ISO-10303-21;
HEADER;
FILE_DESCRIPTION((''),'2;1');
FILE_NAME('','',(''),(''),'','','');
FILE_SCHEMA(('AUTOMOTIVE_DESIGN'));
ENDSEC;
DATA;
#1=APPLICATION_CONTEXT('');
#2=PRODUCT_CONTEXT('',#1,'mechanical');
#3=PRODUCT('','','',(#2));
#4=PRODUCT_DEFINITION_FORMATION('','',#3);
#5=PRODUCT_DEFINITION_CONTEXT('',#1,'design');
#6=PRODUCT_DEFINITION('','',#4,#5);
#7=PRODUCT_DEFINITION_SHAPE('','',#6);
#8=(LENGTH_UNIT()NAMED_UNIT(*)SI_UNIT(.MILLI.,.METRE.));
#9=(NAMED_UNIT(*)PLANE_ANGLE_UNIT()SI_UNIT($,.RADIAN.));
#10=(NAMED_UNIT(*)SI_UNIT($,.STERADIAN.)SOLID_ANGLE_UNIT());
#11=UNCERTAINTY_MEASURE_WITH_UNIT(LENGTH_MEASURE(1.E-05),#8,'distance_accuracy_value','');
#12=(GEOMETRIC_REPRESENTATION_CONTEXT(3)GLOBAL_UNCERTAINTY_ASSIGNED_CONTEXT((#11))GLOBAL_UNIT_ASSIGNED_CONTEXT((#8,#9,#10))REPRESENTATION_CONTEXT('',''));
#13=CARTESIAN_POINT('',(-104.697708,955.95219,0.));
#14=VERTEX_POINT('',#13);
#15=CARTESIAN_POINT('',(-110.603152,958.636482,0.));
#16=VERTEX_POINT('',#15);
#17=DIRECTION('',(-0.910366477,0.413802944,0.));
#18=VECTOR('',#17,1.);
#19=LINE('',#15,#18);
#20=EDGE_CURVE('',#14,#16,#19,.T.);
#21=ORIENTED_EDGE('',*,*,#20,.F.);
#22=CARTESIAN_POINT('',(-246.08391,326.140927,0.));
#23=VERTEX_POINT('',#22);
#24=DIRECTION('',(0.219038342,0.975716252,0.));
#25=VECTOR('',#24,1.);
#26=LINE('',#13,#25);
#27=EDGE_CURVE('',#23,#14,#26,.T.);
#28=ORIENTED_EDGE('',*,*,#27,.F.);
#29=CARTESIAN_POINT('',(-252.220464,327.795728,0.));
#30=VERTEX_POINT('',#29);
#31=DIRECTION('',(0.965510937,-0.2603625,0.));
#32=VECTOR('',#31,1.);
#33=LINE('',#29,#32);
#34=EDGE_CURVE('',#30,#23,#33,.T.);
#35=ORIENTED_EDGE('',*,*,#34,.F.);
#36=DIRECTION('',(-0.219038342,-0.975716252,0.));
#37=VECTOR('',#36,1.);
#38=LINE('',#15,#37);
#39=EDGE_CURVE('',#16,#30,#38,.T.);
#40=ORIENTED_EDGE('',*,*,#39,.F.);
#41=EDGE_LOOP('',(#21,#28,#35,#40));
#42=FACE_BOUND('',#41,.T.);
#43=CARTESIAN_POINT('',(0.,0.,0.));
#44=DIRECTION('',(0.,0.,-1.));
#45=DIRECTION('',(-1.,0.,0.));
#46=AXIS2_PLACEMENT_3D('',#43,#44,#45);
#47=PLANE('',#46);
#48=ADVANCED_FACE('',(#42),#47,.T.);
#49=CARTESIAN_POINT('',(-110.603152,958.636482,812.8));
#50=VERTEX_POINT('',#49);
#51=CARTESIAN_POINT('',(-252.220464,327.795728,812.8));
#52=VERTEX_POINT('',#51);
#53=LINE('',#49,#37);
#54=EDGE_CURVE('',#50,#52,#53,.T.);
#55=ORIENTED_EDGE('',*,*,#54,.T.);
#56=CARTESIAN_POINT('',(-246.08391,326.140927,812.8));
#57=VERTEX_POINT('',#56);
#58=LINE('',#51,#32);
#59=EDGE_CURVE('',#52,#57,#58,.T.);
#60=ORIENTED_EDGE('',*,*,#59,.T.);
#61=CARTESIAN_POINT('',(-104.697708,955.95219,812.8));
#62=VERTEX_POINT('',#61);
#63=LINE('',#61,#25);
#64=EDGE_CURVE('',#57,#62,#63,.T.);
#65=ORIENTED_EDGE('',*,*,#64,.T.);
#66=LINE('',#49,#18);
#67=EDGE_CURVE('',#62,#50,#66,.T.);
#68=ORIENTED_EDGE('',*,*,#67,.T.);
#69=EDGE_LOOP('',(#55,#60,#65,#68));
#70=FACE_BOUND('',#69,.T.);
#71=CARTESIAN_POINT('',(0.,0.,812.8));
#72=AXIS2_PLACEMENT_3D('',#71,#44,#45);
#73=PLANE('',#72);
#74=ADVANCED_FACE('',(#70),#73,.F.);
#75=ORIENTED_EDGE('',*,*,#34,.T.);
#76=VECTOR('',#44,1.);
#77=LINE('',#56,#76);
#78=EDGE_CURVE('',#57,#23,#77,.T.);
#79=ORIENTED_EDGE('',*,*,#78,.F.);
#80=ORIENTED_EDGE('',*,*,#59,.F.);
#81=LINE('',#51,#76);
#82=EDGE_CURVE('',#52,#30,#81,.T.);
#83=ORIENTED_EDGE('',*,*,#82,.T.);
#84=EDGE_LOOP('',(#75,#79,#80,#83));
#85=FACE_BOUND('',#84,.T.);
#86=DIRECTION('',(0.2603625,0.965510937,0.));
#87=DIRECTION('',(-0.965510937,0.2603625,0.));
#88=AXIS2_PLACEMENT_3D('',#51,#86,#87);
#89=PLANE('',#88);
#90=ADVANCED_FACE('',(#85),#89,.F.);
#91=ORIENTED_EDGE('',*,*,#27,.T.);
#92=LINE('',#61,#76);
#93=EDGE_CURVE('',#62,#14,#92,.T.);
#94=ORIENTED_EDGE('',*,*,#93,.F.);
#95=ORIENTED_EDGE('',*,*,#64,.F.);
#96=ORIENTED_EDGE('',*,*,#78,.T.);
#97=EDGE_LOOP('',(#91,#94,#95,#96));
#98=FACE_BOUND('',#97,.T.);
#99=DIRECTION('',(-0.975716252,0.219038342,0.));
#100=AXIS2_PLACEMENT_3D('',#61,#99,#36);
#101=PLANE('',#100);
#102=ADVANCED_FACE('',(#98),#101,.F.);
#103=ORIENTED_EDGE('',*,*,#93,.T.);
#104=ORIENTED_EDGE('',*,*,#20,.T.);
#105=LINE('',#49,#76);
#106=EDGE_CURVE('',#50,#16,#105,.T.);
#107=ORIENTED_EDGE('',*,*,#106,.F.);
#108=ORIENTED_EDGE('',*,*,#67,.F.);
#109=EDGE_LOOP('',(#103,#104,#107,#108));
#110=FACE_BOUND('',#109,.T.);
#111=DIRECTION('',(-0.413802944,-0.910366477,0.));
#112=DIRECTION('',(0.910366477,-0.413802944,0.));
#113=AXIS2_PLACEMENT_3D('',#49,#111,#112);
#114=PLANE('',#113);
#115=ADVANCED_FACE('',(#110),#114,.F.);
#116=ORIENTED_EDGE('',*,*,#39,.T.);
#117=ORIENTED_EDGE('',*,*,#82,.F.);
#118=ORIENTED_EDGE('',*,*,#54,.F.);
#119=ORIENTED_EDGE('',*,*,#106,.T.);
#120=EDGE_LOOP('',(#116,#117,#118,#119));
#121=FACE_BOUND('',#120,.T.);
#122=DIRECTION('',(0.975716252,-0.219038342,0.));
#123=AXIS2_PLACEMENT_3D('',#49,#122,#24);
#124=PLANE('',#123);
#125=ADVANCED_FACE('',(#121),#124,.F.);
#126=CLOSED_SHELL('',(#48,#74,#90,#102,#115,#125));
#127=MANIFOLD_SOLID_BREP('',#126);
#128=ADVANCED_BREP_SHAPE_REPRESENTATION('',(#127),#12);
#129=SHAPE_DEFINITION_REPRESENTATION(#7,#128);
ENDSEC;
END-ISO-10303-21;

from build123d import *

# Parameters (mm, degrees)
BOSS_EXTRUDE1_DEPTH = 812.8


with BuildPart() as part:
    # Sketch1 → Boss-Extrude1 (new body)
    with BuildSketch(Plane.XY):
        Polygon((-110.603151516, 958.636482434), (-252.220463645, 327.795728405), (-246.083909988, 326.140927418), (-104.697708182, 955.952190009), align=None)
    extrude(amount=BOSS_EXTRUDE1_DEPTH)


solid = part.part
